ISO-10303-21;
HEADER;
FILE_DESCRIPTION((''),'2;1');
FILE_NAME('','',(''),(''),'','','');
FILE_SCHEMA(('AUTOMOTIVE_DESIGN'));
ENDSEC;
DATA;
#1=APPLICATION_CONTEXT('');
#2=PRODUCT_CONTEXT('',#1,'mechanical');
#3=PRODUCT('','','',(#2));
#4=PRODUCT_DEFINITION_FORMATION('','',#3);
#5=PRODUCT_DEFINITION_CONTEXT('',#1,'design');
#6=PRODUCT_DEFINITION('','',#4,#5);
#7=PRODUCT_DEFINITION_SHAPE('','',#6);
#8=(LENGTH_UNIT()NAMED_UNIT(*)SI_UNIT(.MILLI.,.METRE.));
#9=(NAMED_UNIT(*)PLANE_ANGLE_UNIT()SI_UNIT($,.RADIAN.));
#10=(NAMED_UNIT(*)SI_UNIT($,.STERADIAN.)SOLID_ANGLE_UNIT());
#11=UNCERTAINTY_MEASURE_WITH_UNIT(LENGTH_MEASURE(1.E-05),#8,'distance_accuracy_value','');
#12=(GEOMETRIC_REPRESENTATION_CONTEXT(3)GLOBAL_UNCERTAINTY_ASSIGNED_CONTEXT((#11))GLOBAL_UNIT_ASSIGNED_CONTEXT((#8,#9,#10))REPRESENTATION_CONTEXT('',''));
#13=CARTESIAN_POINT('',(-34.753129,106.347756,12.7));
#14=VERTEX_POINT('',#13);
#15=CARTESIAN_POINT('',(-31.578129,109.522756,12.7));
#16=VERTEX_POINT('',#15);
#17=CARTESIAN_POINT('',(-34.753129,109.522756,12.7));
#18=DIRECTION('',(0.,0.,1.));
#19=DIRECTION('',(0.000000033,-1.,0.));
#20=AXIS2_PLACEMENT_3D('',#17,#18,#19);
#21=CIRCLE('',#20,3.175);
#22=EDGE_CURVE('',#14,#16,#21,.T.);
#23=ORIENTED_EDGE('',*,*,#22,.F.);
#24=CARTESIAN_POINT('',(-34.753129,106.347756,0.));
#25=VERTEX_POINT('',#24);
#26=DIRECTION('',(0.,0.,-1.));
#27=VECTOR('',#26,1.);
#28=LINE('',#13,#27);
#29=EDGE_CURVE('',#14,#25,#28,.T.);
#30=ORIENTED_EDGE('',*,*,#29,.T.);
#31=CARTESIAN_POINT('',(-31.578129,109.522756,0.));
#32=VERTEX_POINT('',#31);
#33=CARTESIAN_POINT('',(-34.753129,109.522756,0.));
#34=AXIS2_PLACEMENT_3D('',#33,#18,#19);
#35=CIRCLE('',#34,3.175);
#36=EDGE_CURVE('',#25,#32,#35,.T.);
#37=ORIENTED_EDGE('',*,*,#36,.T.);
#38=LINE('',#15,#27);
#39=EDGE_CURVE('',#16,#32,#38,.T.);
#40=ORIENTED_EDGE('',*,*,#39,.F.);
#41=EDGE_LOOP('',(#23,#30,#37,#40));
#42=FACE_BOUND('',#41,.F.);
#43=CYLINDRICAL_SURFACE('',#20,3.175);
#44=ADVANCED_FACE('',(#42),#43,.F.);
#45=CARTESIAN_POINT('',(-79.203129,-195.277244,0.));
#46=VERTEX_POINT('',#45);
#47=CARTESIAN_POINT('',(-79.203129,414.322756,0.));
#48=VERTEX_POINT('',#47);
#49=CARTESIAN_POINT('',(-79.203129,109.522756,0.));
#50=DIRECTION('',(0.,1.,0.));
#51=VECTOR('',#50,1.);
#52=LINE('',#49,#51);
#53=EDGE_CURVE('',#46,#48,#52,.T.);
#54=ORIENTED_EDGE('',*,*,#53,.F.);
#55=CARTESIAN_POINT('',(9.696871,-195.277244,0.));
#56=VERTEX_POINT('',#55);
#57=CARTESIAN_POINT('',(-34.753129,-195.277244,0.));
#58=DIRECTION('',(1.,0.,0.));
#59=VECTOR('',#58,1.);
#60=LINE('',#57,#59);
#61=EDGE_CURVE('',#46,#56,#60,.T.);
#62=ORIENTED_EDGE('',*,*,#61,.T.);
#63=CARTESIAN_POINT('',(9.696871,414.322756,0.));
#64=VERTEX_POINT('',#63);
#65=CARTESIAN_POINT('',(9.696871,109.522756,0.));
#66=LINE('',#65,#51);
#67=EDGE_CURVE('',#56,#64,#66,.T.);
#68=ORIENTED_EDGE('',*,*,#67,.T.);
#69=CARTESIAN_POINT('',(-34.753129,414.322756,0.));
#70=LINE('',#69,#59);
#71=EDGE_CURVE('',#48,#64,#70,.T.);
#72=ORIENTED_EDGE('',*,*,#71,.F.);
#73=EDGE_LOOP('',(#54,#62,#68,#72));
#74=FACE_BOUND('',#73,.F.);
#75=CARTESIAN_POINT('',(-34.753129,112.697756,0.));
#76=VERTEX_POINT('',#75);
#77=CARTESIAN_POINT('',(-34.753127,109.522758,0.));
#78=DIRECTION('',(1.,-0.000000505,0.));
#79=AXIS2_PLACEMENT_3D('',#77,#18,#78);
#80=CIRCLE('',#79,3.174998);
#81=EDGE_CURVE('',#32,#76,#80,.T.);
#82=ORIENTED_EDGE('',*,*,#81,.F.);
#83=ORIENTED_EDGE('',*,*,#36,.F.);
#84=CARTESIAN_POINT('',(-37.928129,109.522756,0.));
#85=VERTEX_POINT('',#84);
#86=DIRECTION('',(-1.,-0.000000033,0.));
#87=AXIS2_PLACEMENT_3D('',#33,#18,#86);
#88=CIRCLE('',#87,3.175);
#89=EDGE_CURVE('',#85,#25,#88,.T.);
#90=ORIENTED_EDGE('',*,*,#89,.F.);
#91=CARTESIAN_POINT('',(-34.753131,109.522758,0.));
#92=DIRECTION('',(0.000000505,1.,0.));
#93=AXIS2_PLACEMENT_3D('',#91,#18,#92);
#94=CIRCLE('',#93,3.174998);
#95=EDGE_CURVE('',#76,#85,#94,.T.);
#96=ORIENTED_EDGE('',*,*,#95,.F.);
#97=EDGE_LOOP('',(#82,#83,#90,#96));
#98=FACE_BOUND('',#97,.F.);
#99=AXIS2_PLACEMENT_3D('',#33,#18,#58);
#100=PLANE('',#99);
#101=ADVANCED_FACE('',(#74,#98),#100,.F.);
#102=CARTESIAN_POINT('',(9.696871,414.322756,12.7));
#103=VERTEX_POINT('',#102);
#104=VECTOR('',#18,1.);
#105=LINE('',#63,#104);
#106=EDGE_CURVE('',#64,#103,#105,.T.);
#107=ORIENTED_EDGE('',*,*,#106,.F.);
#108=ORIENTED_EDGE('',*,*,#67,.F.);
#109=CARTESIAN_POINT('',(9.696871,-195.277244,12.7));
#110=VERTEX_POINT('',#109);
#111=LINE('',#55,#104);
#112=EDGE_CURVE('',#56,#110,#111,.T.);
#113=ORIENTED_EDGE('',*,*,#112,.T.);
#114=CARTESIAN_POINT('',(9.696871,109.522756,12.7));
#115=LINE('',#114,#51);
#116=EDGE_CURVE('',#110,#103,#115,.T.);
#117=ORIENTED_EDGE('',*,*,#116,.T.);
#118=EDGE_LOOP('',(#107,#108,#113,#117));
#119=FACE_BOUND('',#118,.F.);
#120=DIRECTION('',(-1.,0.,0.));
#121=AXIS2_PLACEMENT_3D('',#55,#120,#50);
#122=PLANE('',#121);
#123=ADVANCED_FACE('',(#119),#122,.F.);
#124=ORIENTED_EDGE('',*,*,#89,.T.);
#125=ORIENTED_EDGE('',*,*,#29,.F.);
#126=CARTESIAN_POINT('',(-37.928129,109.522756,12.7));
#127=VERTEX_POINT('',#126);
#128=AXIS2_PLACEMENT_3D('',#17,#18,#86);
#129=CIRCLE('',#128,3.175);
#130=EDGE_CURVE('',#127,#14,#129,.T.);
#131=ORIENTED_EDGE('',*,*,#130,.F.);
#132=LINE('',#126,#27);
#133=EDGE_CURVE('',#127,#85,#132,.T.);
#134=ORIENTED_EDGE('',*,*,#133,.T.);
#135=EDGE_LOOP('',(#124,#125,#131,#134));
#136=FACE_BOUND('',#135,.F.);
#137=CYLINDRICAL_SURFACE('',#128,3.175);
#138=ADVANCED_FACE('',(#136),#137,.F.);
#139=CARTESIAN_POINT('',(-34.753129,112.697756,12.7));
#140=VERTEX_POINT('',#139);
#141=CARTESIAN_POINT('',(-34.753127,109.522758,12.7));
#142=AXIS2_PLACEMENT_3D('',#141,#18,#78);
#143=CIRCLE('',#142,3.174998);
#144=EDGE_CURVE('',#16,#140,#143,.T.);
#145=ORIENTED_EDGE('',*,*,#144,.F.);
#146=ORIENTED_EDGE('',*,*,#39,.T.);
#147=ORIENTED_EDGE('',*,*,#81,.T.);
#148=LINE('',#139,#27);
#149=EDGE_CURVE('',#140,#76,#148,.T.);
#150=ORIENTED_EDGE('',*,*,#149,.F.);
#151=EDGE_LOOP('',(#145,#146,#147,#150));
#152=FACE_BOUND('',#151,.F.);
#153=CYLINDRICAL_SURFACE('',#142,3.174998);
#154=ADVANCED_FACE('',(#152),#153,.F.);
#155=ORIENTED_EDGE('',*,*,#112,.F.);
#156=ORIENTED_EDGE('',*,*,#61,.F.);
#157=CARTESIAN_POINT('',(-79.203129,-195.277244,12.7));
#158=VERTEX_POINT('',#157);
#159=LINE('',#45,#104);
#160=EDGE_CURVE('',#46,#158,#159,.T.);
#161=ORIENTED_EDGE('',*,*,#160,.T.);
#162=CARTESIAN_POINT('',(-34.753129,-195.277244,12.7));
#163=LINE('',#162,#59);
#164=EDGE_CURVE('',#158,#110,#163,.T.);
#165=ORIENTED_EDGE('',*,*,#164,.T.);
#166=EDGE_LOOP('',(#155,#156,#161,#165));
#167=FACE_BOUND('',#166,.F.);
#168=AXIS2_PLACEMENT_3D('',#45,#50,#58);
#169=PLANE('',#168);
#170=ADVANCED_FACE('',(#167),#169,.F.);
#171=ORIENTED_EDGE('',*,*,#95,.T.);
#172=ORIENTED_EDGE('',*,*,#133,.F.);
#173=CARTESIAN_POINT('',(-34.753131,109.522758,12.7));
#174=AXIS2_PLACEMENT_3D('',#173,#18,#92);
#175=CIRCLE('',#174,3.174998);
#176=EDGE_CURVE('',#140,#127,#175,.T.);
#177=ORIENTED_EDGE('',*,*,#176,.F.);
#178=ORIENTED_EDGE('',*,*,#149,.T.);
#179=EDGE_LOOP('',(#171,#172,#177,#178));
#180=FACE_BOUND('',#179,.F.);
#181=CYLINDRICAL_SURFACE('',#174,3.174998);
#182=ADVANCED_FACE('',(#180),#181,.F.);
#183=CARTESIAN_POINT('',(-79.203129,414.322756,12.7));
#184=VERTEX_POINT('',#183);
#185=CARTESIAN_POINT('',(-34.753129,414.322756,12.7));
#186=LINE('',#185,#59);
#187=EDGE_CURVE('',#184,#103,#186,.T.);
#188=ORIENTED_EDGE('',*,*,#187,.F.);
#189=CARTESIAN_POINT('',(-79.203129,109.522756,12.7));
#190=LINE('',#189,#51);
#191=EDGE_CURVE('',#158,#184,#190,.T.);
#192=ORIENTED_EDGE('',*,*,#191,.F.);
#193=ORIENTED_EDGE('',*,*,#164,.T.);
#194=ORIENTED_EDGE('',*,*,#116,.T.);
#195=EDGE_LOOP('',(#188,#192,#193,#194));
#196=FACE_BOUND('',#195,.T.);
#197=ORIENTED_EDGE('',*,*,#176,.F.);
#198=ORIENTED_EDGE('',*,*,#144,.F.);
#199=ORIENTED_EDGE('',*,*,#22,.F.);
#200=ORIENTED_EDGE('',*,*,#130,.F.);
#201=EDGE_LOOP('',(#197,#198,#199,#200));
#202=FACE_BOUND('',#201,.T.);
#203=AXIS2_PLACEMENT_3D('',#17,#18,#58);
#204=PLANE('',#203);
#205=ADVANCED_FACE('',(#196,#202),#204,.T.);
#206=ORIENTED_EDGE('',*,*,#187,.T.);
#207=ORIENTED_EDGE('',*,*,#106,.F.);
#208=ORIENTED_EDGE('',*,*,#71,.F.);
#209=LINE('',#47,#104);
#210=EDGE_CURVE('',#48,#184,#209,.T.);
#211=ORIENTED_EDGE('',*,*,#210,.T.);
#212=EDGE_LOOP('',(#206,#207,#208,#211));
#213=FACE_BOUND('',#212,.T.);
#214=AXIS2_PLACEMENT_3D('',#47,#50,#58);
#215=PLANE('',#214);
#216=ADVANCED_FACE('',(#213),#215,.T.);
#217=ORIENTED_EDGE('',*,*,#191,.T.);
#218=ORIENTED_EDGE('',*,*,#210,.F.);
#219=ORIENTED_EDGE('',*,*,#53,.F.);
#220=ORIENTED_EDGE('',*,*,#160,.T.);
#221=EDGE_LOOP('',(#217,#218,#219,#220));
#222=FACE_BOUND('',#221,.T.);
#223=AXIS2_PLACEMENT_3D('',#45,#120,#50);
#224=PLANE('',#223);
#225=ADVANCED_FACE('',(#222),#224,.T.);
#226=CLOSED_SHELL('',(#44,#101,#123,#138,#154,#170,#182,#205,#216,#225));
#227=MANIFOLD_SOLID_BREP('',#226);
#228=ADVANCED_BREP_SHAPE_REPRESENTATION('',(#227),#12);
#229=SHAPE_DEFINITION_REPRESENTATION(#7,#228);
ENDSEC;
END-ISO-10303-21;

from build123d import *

# Parameters (mm, degrees)
F0_W     = 88.9
F0_H     = 609.6
F1_DEPTH = 12.7
F3_DEPTH = 25.4


with BuildPart() as f1:
    # F0 (on Top) → F1 (new body)
    with BuildSketch(Plane.XY):
        with Locations((-34.753129, 109.522756)):
            Rectangle(F0_W, F0_H)
    extrude(amount=F1_DEPTH)

    # F2 (on face) → F3 (cut)
    with BuildSketch(Plane.XY.offset(12.7)):
        with BuildLine():
            ThreePointArc((-37.928129, 109.522756), (-36.998193, 107.277692), (-34.753129, 106.347756))
            Line((-34.753129, 106.347756), (-34.753129, 109.522756))
            Line((-34.753129, 109.522756), (-37.928129, 109.522756))
        make_face()
        with BuildLine():
            Line((-34.753129, 109.522756), (-34.753129, 106.347756))
            ThreePointArc((-34.753129, 106.347756), (-32.508065, 107.277692), (-31.578129, 109.522756))
            Line((-31.578129, 109.522756), (-34.753129, 109.522756))
        make_face()
        with BuildLine():
            Line((-37.928129, 109.522756), (-34.753129, 109.522756))
            Line((-34.753129, 109.522756), (-34.753129, 112.697756))
            ThreePointArc((-34.753129, 112.697756), (-36.998193, 111.767821), (-37.928129, 109.522756))
        make_face()
        with BuildLine():
            Line((-34.753129, 112.697756), (-34.753129, 109.522756))
            Line((-34.753129, 109.522756), (-31.578129, 109.522756))
            ThreePointArc((-31.578129, 109.522756), (-32.508065, 111.767821), (-34.753129, 112.697756))
        make_face()
    extrude(amount=-F3_DEPTH, mode=Mode.SUBTRACT)


solid = f1.part
